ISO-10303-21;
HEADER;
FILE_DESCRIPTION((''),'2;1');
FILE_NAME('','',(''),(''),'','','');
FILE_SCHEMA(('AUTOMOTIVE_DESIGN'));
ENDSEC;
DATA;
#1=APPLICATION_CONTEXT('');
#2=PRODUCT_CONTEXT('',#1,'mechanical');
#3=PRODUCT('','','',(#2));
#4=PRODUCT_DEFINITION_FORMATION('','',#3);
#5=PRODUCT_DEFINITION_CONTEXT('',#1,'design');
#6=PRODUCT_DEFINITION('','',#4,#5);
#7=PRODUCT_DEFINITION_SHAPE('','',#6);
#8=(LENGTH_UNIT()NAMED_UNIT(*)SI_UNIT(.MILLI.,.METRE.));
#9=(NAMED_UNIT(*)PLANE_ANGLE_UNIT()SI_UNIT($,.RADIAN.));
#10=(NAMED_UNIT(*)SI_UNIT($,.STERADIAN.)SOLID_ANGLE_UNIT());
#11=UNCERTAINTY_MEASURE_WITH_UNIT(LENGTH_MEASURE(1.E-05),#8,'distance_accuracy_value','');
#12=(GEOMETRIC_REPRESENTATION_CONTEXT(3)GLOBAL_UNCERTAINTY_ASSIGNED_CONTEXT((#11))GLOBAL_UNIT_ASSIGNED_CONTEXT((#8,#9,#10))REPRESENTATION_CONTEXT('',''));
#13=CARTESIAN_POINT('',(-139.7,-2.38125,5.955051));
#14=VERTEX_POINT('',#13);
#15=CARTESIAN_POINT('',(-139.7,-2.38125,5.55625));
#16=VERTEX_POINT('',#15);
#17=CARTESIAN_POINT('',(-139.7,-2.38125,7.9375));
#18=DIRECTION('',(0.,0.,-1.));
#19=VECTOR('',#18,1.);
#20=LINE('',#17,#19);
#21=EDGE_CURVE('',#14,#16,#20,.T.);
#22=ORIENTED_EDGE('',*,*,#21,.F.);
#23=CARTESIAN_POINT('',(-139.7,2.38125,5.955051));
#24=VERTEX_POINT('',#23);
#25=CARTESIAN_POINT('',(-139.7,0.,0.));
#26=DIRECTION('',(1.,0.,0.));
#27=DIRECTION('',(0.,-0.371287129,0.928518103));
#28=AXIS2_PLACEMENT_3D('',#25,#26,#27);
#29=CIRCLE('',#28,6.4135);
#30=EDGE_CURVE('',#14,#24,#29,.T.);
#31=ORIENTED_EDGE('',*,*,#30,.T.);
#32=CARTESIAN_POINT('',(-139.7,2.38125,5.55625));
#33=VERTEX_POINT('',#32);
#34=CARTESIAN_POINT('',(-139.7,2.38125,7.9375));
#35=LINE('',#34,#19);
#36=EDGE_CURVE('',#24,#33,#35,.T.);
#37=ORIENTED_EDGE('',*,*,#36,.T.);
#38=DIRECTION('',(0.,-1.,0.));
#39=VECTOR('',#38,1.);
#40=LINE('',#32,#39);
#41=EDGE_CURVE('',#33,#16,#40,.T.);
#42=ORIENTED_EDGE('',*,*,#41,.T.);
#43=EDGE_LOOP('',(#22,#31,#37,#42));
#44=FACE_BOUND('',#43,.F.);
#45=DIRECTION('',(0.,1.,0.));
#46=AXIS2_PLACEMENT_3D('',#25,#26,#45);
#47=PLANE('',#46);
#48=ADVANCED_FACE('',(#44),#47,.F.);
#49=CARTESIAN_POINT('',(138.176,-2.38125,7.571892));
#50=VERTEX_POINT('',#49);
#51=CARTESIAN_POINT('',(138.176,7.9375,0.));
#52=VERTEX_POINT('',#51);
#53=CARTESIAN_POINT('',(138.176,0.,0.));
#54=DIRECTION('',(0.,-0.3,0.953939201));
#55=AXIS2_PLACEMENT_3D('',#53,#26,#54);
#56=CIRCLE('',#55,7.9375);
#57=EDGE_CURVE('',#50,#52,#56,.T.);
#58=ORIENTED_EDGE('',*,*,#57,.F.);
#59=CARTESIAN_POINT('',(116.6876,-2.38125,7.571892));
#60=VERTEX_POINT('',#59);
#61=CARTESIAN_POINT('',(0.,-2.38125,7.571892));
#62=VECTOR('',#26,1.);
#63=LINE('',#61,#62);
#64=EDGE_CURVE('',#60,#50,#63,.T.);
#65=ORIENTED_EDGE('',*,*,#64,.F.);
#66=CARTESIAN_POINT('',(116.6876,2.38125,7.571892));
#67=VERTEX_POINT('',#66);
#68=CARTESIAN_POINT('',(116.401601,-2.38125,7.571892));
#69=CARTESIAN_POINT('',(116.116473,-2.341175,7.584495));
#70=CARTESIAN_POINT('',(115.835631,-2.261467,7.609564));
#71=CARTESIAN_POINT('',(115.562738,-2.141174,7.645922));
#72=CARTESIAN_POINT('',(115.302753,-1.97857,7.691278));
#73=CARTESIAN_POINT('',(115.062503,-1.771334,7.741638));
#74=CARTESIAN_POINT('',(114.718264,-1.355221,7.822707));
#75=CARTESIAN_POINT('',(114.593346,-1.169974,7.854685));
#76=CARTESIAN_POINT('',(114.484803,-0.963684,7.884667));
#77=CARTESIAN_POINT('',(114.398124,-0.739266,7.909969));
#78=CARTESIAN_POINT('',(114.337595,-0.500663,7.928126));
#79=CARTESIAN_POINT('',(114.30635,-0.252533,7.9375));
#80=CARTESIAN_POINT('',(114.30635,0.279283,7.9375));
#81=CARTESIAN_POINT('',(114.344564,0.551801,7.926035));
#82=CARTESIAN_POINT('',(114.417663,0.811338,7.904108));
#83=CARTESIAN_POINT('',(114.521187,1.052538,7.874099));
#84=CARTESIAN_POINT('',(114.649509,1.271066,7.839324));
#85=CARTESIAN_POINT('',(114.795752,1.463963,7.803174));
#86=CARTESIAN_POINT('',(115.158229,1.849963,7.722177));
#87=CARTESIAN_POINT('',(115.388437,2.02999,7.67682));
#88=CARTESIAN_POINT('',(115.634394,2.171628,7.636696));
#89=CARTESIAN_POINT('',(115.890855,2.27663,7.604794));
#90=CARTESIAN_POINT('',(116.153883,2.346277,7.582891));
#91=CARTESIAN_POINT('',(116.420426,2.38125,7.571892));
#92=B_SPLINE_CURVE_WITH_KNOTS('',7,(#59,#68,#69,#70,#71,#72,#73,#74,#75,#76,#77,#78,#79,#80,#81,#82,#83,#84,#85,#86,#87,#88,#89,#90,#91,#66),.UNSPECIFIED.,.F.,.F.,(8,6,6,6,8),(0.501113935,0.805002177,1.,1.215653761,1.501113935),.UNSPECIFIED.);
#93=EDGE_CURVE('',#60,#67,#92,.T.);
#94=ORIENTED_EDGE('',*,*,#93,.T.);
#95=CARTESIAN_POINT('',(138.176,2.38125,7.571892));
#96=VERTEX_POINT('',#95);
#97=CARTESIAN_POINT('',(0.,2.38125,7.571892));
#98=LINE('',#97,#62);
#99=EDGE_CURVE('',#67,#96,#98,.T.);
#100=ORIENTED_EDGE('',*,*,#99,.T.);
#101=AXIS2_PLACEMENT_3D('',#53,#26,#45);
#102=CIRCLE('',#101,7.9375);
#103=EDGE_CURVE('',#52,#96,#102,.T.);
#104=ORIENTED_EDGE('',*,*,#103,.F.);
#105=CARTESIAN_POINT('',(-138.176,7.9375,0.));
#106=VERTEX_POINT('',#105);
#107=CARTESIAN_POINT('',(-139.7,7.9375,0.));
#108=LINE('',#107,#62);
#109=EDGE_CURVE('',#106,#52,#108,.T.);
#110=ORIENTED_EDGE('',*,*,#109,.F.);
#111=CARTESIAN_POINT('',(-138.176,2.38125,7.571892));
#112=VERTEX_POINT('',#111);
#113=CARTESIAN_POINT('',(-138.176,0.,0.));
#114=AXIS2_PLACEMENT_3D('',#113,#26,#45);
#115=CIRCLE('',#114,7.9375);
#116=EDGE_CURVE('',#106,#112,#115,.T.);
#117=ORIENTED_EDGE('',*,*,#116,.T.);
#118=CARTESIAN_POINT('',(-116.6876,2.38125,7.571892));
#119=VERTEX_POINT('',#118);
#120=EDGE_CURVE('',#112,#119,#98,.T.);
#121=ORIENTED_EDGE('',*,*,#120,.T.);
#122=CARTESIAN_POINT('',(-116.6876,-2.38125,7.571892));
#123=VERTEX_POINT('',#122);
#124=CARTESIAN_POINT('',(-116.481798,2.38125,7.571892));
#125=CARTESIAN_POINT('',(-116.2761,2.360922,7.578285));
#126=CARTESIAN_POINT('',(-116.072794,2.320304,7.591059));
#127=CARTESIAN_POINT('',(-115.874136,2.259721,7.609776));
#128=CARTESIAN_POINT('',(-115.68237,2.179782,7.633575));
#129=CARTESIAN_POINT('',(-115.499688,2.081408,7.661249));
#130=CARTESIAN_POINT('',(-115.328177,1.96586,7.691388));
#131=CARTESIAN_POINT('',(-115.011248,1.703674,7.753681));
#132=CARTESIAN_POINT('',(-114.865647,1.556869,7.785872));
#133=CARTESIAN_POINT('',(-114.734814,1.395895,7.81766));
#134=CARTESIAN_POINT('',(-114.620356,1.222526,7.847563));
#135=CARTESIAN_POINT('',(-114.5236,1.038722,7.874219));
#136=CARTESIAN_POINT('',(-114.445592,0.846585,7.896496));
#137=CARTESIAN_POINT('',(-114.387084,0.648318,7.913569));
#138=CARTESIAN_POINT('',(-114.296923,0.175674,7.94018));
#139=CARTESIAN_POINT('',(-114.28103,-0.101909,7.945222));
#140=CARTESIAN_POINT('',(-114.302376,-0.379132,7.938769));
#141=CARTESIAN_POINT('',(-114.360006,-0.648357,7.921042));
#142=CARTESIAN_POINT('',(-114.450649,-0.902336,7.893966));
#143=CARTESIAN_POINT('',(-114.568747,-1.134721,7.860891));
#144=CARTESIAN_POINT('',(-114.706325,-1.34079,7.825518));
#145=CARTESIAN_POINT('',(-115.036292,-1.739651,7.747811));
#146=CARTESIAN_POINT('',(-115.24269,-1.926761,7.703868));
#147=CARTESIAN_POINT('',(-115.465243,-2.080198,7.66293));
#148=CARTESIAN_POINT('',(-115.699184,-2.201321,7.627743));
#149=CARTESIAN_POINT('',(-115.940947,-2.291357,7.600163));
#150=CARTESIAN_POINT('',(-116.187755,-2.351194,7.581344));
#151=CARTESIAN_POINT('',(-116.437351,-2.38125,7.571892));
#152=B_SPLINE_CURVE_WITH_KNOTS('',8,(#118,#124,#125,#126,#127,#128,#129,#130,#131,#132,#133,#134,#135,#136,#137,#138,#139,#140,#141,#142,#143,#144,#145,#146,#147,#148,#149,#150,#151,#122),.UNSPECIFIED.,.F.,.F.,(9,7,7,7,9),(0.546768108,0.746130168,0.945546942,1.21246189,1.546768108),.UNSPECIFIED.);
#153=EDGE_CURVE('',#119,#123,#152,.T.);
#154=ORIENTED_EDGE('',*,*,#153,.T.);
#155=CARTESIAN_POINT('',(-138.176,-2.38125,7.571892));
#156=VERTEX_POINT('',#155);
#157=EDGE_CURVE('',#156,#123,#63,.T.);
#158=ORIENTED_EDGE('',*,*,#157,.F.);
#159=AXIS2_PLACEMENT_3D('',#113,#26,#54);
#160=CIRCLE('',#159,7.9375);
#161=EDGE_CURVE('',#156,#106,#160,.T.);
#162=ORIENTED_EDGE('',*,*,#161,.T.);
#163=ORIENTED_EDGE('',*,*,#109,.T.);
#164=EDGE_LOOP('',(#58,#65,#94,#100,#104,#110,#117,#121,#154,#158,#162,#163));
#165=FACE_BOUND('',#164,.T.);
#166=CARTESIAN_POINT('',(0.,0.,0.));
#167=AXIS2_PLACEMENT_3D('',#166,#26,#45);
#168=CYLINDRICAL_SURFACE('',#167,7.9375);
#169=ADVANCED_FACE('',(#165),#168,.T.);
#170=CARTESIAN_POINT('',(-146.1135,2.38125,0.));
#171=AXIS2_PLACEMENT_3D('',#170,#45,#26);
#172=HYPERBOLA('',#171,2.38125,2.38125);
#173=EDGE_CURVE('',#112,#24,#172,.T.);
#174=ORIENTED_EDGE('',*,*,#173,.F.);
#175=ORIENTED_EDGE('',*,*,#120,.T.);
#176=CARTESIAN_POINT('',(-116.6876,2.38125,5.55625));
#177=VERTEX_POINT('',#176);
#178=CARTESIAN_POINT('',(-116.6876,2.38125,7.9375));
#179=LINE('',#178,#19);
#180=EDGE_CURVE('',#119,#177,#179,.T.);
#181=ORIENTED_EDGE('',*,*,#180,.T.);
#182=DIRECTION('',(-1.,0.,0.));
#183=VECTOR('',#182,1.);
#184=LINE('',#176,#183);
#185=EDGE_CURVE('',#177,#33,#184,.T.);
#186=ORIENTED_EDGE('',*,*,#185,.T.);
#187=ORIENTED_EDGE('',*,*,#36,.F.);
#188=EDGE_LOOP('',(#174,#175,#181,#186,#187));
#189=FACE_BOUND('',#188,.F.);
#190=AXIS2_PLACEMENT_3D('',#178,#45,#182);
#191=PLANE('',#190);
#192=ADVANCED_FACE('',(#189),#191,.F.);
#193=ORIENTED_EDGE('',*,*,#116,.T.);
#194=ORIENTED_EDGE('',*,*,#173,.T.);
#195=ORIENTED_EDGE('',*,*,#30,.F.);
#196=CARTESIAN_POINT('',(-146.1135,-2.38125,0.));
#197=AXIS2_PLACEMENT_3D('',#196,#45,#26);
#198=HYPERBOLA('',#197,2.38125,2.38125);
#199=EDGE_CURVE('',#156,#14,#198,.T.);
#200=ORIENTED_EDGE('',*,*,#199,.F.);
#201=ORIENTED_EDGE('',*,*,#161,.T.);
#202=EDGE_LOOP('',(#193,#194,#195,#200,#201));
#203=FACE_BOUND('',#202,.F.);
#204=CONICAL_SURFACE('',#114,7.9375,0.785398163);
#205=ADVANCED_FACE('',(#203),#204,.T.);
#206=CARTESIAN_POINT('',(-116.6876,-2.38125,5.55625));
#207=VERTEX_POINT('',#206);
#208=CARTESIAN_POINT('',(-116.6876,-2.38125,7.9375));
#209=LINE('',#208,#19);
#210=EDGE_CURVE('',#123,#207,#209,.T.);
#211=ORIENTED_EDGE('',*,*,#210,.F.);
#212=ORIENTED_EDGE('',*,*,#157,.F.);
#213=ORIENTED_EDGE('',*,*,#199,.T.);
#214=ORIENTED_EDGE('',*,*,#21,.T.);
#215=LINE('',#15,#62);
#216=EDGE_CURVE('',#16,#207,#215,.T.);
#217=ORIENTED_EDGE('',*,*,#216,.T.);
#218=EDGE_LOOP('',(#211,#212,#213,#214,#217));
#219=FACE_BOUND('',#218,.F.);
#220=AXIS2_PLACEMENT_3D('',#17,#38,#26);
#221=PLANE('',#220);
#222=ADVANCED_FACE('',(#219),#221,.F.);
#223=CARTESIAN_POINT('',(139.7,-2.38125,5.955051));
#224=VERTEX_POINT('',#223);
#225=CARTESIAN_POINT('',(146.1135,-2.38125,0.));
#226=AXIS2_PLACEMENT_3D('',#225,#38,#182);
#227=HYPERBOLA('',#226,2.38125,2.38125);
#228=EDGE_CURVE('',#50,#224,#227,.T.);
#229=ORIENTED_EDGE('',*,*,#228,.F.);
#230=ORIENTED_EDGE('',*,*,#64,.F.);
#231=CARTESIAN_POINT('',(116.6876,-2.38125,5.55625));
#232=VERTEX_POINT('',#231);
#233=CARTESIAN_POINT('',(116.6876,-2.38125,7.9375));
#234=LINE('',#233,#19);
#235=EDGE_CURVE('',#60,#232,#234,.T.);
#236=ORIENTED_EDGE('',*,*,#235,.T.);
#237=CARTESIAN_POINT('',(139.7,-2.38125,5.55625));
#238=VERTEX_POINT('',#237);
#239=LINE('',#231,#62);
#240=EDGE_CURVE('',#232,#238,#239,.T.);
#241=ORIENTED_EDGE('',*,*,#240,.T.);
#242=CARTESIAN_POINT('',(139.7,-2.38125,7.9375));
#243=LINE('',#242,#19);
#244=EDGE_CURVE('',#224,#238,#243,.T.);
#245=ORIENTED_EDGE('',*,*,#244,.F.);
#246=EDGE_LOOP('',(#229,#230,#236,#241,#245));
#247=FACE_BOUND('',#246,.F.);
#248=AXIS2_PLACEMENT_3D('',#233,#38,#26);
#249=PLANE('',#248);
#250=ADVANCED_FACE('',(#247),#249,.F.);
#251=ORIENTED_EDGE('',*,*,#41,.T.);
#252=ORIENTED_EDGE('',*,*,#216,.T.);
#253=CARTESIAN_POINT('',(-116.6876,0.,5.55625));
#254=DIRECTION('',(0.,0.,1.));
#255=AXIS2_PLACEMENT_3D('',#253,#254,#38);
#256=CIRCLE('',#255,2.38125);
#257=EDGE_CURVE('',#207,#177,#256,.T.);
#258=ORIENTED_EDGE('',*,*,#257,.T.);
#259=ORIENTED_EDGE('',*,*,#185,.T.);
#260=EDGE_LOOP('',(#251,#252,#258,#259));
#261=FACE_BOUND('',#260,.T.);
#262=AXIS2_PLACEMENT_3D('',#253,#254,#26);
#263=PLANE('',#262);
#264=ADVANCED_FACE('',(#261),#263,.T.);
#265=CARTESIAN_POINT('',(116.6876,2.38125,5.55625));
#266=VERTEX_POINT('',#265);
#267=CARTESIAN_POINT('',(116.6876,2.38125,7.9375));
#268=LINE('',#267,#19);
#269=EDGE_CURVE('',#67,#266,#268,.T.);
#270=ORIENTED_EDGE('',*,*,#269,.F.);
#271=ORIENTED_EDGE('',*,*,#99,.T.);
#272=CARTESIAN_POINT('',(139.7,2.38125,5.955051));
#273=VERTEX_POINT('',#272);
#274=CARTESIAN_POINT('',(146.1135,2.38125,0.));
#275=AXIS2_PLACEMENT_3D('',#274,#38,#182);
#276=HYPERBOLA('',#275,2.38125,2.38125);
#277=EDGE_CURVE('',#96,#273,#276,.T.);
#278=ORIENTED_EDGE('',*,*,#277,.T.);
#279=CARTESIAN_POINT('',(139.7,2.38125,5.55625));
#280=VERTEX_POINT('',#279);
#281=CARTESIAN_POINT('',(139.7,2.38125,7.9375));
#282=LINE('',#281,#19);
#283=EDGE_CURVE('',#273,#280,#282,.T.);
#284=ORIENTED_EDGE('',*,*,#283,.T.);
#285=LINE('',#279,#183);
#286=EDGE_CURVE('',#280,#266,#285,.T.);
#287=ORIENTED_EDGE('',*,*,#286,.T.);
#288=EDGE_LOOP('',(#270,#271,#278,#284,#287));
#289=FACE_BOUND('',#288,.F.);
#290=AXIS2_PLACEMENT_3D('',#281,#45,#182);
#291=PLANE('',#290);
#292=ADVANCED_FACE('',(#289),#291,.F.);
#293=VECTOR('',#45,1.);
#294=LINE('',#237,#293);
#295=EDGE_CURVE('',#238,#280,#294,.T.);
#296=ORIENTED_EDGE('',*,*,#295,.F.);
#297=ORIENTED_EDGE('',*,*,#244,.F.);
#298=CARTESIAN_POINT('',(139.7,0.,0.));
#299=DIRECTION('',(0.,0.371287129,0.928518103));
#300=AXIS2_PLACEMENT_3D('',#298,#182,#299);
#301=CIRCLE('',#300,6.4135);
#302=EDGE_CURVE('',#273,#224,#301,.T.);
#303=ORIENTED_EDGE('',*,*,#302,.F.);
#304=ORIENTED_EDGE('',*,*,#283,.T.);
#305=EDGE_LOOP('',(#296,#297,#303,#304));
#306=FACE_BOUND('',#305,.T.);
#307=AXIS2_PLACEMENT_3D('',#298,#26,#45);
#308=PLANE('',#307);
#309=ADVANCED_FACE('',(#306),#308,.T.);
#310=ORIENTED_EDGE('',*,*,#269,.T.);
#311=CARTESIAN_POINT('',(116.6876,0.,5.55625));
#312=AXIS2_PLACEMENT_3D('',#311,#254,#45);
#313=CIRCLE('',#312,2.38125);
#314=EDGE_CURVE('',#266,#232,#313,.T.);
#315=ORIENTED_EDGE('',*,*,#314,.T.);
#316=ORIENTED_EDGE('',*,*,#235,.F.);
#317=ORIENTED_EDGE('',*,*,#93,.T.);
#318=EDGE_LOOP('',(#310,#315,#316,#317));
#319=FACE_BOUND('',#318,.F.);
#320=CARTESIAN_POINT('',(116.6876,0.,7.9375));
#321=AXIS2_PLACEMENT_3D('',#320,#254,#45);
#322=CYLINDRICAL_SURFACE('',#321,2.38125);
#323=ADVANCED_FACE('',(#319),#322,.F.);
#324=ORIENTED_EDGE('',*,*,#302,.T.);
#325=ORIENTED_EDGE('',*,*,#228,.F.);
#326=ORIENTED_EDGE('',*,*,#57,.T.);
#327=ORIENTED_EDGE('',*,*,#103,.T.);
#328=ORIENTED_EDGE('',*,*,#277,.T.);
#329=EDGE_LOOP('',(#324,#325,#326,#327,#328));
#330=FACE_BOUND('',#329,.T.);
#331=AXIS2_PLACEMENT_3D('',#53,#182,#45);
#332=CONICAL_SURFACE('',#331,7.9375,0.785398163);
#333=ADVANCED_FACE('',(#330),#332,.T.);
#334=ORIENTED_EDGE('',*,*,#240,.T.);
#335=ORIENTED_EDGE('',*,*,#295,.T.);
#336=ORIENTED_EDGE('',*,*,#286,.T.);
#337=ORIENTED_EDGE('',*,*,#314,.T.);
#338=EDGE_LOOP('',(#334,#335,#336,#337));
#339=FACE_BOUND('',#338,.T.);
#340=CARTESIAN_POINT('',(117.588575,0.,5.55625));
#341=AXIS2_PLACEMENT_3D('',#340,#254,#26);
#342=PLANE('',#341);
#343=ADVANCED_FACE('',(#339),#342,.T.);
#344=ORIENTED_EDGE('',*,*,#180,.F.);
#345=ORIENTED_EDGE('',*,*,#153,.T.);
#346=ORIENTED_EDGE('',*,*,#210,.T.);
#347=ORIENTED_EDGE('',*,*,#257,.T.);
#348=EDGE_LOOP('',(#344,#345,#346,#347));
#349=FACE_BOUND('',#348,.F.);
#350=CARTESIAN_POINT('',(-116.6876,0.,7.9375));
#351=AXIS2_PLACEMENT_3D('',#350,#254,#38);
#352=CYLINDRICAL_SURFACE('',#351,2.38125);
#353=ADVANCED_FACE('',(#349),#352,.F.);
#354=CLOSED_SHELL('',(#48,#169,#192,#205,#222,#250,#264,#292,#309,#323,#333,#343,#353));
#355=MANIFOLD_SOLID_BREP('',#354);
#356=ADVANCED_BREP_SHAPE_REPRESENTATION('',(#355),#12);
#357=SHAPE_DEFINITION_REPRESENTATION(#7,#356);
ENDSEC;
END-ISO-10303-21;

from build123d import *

# Parameters (mm, degrees)
F0_R     = 7.9375
F1_DEPTH = 139.7
F4_DEPTH = 2.38125
F5_SIZE  = 1.524


with BuildPart() as f1:
    # F0 (on Right) → F1 (new body, symmetric)
    with BuildSketch(Plane.YZ):
        Circle(F0_R)
    extrude(amount=F1_DEPTH, both=True)

    # F3 (on offset) → F4 (cut)
    with BuildSketch(Plane.XY.offset(7.9375)):
        with BuildLine():
            ThreePointArc((-116.6876, -2.38125), (-115.0038019773, -1.6837980227), (-114.30635, 0))
            ThreePointArc((-114.30635, 0), (-115.0038019773, 1.6837980227), (-116.6876, 2.38125))
            ThreePointArc((-116.6876, 2.38125), (-119.06885, 0), (-116.6876, -2.38125))
        make_face()
        with BuildLine():
            ThreePointArc((-116.6876, -2.38125), (-119.06885, 0), (-116.6876, 2.38125))
            Line((-116.6876, 2.38125), (-139.7, 2.38125))
            Line((-139.7, 2.38125), (-139.7, -2.38125))
            Line((-139.7, -2.38125), (-116.6876, -2.38125))
        make_face()
        with BuildLine():
            ThreePointArc((116.6876, -2.38125), (118.3713980227, -1.6837980227), (119.06885, 0))
            ThreePointArc((119.06885, 0), (118.3713980227, 1.6837980227), (116.6876, 2.38125))
            Line((116.6876, 2.38125), (116.6876, -2.38125))
        make_face()
        with BuildLine():
            ThreePointArc((116.6876, 2.38125), (118.3713980227, 1.6837980227), (119.06885, 0))
            ThreePointArc((119.06885, 0), (118.3713980227, -1.6837980227), (116.6876, -2.38125))
            Line((116.6876, -2.38125), (139.7, -2.38125))
            Line((139.7, -2.38125), (139.7, 2.38125))
            Line((139.7, 2.38125), (116.6876, 2.38125))
        make_face()
        with BuildLine():
            Line((116.6876, -2.38125), (116.6876, 2.38125))
            ThreePointArc((116.6876, 2.38125), (114.30635, 0), (116.6876, -2.38125))
        make_face()
    extrude(amount=-F4_DEPTH, mode=Mode.SUBTRACT)

    # F5
    f5_edges = [f1.edges().sort_by_distance(p)[0] for p in [
        (-139.7, -4.695888, -6.399417),
        (139.7, -4.695888, -6.399417),
    ]]
    chamfer(f5_edges, length=F5_SIZE)


solid = f1.part
